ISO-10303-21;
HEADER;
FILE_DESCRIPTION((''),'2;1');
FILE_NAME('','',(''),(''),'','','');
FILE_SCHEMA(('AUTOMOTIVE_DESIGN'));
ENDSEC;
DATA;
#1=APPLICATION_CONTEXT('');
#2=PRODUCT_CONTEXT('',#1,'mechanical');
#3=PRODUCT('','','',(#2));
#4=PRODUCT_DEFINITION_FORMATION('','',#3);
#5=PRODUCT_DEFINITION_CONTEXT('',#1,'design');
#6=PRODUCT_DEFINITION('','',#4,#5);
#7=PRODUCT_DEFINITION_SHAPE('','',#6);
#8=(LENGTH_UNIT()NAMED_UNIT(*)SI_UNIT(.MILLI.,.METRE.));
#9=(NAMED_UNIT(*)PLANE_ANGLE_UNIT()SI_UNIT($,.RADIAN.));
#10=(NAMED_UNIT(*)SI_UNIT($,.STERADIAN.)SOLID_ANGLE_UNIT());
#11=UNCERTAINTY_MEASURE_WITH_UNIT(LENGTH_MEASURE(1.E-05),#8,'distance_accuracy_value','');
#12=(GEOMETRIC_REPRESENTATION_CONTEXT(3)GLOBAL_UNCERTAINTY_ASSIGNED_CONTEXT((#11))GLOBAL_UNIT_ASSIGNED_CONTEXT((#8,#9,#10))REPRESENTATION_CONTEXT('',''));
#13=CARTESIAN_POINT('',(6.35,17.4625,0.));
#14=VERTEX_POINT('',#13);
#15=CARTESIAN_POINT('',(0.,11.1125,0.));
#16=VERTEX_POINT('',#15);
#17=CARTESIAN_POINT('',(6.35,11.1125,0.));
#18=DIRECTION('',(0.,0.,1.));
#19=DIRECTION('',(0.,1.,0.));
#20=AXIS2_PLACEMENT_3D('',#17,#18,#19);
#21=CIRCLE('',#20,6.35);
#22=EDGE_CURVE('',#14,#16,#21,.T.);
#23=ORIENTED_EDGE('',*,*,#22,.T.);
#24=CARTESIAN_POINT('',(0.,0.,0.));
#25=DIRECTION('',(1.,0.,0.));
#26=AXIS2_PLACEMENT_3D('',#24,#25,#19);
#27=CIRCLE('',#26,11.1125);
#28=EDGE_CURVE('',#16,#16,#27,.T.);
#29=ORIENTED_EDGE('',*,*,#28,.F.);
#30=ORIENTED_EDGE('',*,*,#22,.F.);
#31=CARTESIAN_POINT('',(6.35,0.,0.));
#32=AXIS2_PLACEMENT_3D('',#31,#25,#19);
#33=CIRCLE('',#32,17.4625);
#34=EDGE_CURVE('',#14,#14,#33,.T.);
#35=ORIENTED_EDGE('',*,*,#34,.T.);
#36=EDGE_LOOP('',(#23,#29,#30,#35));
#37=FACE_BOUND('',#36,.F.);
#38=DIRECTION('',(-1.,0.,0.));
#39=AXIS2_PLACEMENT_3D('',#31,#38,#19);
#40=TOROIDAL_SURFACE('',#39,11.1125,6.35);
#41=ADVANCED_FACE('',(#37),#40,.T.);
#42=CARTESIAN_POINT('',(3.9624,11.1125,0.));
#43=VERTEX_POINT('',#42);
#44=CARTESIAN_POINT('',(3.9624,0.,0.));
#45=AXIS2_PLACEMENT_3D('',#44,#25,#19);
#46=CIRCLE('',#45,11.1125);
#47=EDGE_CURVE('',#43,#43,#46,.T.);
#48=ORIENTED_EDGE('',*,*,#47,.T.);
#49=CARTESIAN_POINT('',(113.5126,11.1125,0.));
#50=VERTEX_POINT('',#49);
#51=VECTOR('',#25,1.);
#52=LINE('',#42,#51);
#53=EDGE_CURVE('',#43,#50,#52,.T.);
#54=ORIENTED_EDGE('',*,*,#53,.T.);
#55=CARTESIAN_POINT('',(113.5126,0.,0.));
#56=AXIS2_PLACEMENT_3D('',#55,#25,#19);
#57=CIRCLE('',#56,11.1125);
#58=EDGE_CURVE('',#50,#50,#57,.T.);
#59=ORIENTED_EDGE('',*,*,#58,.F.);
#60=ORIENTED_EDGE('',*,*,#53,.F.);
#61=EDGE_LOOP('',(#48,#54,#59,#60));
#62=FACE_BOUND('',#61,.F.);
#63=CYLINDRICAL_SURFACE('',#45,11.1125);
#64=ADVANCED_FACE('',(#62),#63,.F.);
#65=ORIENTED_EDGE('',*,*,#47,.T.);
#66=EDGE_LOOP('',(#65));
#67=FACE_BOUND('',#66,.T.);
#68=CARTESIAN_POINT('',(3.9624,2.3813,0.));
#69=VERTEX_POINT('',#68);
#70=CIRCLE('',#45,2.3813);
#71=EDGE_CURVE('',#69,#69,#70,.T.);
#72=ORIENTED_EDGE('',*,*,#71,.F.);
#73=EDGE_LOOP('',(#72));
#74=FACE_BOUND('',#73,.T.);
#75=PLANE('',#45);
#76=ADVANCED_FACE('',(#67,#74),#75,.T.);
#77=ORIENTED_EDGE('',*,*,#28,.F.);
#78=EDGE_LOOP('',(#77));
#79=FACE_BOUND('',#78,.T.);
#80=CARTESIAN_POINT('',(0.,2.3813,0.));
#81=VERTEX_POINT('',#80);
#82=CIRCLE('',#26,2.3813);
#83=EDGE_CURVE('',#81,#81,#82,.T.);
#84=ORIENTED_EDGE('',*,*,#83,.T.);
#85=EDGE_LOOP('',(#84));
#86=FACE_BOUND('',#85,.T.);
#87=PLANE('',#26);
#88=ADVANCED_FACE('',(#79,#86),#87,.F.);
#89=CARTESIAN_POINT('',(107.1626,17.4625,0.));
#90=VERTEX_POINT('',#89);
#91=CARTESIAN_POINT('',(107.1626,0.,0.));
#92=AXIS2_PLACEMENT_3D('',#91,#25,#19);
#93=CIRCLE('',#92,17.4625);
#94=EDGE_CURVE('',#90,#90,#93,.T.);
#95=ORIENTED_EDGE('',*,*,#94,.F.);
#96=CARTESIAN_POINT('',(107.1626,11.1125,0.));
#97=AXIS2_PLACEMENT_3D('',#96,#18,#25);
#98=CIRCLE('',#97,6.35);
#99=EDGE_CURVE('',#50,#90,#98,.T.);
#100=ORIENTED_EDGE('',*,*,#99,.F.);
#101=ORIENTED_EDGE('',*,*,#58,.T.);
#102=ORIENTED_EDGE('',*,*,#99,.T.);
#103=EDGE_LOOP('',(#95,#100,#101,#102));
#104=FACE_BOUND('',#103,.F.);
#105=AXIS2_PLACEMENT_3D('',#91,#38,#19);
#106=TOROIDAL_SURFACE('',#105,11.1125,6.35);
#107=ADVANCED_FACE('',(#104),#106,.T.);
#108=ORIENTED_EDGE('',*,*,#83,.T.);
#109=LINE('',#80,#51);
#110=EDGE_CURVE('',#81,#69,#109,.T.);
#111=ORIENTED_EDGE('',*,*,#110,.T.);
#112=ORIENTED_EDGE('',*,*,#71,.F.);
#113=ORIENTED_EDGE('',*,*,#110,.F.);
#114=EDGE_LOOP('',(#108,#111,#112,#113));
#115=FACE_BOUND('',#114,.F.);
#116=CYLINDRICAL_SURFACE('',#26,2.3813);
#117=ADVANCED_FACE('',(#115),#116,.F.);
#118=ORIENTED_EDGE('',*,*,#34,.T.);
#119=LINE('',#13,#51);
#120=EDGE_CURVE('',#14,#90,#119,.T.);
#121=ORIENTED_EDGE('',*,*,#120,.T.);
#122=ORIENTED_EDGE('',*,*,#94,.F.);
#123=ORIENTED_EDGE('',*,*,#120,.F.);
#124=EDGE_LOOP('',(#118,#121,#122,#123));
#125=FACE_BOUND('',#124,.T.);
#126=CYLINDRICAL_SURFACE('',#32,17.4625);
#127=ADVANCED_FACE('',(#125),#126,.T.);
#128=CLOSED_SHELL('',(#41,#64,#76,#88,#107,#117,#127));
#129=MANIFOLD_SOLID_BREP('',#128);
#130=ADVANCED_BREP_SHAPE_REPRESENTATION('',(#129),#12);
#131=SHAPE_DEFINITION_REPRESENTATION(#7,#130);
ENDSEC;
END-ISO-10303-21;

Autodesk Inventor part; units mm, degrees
ref_plane "YZ Plane" through (0, 0, 0) normal (1, 0, 0) x (0, 1, 0)
ref_plane "XZ Plane" through (0, 0, 0) normal (0, 1, 0) x (-1, 0, 0)
ref_plane "XY Plane" through (0, 0, 0) normal (0, 0, 1) x (1, 0, 0)
sketch "Sketch1" plane through (0, 0, 0) normal (0, 0, 1) x (1, 0, 0)
  line L0 (0, 0) -> (113.5126, 0)
  line L1 (0, 2.3813) -> (3.9624, 2.3813)
  line L2 (3.9624, 2.3813) -> (3.9624, 0)
  line L3 (0, 0) -> (0, 2.3813)
  line L4 (0, 0) -> (0, 11.1125)
  line L5 (6.35, 17.4625) -> (107.1626, 17.4625)
  line L6 (0, 17.4625) -> (0, 11.1125)
  line L7 (3.9624, 11.1125) -> (113.5126, 11.1125)
  line L8 (0, 17.4625) -> (3.9624, 17.4625)
  line L9 (3.9624, 11.1125) -> (3.9624, 2.3813)
  arc A0 (6.35, 17.4625) -> (0, 11.1125) centre (6.35, 11.1125) ccw
  line L10 (113.5126, 11.1125) -> (113.5126, 11.1125)
  arc A1 (113.5126, 11.1125) -> (107.1626, 17.4625) centre (107.1626, 11.1125) ccw
  point P0 (113.5126, 17.4625)
  dimension "d0" = 113.5126
  dimension "d1" = 2.3813
  dimension "d2" = 3.9624
  dimension "d3" = 17.4625
  dimension "d4" = 113.5126
  dimension "d5" = 6.35
  dimension "d6" = 113.5126
  dimension "d7" = 3.9624
  dimension "d8" = 6.35
  dimension "d9" = 6.35
revolve "Revolution1" add sketch "Sketch1" angle 360 about axis through (0, 0, 0) along (1, 0, 0) contours L4 A0 L5 A1 L7 L9 L1
properties part number "Rubber Sleeve"
